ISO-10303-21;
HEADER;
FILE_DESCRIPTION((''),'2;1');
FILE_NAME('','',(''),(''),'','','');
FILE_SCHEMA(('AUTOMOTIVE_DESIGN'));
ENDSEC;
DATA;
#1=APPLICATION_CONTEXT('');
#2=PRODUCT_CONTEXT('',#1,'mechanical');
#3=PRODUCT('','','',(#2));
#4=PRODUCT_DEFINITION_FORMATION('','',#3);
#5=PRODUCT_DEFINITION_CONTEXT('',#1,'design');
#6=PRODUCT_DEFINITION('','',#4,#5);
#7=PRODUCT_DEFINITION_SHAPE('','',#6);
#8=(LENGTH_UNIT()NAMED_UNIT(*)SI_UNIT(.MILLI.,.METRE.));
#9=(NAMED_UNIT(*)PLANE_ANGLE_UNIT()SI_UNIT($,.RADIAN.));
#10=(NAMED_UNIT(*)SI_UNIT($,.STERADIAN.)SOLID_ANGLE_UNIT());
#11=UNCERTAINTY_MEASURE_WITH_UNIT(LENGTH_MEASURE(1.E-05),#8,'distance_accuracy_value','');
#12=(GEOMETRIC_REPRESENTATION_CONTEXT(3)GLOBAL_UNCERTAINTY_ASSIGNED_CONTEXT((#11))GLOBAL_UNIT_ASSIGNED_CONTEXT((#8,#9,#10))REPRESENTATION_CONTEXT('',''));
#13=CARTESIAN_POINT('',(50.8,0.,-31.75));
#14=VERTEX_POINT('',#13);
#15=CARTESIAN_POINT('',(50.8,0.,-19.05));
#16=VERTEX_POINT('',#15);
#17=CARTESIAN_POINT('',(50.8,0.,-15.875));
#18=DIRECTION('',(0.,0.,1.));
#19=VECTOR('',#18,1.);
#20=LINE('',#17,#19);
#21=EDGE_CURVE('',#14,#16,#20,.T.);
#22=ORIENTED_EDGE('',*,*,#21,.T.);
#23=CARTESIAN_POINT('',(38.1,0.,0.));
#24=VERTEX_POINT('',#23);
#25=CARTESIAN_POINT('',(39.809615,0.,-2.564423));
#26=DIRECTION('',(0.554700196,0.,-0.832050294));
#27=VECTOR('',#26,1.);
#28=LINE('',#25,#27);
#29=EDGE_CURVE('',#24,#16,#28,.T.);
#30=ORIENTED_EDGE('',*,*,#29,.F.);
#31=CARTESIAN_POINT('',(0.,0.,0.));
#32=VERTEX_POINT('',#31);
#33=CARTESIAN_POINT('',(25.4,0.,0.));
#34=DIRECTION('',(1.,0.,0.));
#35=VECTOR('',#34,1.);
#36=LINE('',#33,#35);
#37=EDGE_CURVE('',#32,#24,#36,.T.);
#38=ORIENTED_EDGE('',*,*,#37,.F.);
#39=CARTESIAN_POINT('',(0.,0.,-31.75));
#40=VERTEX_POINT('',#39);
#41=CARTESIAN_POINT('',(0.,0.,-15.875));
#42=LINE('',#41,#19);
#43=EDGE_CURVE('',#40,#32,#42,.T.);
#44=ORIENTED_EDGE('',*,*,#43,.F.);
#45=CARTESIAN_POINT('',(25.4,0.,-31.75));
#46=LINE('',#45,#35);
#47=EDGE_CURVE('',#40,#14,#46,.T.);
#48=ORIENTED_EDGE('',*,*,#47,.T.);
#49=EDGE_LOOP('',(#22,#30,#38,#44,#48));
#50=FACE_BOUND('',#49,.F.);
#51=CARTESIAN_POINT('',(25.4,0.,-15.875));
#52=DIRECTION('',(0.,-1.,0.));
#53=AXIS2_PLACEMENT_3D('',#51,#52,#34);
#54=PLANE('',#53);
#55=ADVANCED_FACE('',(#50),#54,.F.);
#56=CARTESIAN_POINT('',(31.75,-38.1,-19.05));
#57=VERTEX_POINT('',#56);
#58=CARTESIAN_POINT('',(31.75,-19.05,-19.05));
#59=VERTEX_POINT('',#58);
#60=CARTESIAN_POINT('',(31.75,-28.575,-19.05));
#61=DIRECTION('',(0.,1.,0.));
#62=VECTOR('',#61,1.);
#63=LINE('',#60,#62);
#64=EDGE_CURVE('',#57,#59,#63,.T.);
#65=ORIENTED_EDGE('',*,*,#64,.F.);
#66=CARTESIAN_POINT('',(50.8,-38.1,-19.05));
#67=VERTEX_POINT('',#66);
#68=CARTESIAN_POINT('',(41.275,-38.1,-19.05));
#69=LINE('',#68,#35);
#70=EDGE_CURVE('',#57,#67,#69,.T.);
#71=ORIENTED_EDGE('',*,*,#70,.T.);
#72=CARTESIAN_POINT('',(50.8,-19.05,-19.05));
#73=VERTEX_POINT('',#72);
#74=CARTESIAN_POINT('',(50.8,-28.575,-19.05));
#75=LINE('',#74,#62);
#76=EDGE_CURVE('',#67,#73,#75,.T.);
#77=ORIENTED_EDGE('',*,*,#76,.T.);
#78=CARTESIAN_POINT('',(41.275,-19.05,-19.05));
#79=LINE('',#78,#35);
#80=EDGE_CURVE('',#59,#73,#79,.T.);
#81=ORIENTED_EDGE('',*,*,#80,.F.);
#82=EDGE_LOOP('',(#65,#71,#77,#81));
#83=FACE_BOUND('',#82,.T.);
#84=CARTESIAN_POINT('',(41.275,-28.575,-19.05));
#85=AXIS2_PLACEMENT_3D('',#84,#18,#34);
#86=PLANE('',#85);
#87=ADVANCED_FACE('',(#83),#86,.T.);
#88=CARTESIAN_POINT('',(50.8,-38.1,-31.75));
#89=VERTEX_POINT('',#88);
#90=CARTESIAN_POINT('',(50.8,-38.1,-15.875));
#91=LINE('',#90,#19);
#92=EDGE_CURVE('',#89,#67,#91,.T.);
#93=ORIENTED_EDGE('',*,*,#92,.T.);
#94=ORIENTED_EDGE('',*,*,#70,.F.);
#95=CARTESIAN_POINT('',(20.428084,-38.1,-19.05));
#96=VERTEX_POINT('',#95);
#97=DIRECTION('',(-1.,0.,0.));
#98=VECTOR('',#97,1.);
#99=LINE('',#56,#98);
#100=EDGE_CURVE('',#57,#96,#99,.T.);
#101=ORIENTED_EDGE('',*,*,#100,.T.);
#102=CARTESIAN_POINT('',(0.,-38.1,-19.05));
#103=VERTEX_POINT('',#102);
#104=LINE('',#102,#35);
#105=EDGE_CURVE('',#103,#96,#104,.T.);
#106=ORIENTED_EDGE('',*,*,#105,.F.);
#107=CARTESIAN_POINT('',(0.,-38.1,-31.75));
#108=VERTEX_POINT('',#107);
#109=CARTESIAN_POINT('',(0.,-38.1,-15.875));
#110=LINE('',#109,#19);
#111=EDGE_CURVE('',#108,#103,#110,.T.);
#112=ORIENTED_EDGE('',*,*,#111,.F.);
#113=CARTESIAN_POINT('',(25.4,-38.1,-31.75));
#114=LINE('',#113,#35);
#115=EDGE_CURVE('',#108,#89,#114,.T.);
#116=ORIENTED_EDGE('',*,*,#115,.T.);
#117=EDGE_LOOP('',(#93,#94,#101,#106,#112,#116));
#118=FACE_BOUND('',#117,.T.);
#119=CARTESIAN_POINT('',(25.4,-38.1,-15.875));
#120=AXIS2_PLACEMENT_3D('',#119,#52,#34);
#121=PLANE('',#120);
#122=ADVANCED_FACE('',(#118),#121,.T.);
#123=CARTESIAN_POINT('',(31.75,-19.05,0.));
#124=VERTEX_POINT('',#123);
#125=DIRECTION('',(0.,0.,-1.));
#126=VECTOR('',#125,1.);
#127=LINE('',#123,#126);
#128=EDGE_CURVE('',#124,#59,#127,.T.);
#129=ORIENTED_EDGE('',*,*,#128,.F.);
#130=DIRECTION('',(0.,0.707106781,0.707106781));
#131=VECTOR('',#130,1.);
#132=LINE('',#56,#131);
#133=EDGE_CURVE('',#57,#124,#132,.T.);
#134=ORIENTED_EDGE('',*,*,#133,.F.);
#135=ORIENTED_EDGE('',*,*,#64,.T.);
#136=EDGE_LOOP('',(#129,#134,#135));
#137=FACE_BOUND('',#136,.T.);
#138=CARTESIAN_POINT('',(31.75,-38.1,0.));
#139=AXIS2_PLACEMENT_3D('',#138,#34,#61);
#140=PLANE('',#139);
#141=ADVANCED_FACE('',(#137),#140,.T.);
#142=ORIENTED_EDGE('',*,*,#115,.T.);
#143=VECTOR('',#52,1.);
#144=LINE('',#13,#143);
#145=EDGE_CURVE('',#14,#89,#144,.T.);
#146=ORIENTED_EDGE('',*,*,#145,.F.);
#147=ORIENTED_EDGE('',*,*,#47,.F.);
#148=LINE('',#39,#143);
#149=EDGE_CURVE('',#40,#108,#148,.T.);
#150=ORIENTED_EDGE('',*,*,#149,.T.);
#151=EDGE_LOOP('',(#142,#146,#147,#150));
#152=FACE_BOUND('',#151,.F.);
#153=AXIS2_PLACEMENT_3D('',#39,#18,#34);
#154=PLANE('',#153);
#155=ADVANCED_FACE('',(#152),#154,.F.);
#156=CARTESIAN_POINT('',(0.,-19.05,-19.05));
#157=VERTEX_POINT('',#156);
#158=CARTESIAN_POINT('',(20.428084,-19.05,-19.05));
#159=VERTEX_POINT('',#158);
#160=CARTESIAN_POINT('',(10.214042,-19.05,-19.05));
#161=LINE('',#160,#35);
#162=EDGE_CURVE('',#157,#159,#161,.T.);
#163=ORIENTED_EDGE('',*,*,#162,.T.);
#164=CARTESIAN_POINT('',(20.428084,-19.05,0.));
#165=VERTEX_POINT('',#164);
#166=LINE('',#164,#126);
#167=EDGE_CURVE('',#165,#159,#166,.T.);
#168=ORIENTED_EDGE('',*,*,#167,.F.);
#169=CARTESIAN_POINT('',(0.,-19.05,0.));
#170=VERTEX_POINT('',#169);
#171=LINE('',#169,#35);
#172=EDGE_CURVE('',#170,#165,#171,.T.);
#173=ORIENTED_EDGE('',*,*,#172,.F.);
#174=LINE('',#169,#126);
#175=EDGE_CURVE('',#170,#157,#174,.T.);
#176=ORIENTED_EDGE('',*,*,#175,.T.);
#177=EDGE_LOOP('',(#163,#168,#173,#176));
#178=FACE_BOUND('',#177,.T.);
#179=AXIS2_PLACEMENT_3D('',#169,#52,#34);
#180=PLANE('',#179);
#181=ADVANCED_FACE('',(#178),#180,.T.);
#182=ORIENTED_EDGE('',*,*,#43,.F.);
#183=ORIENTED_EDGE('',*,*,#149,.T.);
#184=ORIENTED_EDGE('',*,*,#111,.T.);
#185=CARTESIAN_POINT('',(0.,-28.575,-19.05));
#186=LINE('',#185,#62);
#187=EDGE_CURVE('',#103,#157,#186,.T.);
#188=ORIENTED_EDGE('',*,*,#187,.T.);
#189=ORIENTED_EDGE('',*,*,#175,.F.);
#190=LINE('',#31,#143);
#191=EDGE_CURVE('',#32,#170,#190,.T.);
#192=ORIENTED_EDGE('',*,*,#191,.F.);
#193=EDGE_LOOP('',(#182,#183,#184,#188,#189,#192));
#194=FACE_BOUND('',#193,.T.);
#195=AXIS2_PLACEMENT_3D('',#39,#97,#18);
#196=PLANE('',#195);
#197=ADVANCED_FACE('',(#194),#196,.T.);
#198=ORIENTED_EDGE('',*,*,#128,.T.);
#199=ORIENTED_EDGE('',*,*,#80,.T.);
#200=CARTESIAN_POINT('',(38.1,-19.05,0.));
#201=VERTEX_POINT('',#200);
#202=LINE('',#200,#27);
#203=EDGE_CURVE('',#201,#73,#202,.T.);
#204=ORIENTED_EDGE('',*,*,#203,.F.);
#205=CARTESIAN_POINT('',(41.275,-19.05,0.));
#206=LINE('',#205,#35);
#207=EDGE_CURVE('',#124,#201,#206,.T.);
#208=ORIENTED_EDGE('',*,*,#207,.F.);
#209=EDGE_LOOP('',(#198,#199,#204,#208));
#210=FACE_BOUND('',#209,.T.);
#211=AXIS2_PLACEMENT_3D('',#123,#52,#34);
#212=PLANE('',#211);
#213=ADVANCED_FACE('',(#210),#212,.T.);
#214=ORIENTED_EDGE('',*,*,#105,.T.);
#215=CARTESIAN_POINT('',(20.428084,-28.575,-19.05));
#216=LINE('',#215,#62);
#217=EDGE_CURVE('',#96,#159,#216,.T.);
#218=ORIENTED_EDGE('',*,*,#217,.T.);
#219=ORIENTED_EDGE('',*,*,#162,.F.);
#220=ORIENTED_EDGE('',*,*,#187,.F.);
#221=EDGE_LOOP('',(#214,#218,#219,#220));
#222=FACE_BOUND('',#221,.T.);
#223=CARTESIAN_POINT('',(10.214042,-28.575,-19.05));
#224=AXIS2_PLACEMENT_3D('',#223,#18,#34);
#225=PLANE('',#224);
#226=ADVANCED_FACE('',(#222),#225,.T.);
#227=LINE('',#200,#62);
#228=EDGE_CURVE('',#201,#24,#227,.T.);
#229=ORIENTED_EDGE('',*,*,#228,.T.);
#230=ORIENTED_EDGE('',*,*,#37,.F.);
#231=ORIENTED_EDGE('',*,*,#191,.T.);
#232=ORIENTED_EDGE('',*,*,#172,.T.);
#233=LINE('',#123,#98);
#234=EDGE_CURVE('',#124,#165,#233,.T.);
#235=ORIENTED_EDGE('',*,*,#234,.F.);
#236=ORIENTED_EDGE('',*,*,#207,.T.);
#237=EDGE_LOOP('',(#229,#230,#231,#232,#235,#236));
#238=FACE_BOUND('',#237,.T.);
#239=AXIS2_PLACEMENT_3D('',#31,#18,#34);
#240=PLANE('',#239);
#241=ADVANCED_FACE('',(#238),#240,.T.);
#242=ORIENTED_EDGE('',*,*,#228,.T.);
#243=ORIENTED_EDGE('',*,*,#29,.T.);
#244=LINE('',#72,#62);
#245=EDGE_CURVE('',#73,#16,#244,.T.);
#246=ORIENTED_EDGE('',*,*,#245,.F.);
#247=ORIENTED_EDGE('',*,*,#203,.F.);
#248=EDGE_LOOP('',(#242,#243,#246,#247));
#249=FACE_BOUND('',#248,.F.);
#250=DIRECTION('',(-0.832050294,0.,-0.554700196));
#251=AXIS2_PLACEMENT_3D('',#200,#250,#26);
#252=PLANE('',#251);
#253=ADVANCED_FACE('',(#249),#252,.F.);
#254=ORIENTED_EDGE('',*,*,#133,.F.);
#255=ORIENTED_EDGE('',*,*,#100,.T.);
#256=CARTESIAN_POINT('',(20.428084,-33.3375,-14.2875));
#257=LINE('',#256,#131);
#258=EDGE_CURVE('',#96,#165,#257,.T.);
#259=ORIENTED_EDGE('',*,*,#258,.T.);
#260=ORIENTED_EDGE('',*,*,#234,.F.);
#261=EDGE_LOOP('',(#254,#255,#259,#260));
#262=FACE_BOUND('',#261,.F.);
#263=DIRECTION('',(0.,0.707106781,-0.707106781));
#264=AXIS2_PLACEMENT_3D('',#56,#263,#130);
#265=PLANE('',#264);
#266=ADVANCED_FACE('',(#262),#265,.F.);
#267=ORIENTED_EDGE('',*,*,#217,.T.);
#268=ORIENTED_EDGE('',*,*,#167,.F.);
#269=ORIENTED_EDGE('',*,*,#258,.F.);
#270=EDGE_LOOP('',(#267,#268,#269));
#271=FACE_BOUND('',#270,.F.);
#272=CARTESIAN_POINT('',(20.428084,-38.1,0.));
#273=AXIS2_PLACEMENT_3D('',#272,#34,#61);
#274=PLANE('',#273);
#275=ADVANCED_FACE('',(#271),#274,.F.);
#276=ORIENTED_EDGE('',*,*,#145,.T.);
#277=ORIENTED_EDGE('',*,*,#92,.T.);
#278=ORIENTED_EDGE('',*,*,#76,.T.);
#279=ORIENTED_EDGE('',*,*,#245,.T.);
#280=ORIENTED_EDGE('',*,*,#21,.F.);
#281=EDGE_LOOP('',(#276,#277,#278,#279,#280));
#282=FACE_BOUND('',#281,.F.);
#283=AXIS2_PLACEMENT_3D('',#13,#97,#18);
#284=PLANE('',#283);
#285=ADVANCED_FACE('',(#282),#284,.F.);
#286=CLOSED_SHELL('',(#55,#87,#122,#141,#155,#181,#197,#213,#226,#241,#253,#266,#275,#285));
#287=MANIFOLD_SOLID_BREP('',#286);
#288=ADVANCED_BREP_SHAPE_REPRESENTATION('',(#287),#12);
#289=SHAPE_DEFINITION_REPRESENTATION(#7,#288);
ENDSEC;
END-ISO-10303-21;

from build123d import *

# Parameters (mm, degrees)
F0_W     = 50.8
F0_H     = 31.75
F1_DEPTH = 38.1
F2_W     = 19.05
F2_H     = 19.05
F3_DEPTH = 19.05
F4_W     = 20.428084
F4_H     = 19.05
F5_DEPTH = 19.05
F7_DEPTH = 25.4
F9_DEPTH = 25.4


with BuildPart() as f1:
    # F0 (on Front) → F1 (new body)
    with BuildSketch(Plane.XZ):
        with Locations((25.4, -15.875)):
            Rectangle(F0_W, F0_H)
    extrude(amount=F1_DEPTH)

    # F2 (on face) → F3 (cut)
    with BuildSketch(Plane.XY):
        with Locations((41.275, -28.575)):
            Rectangle(F2_W, F2_H)
    extrude(amount=-F3_DEPTH, mode=Mode.SUBTRACT)

    # F4 (on face) → F5 (cut)
    with BuildSketch(Plane.XY):
        with Locations((10.214042, -28.575)):
            Rectangle(F4_W, F4_H)
    extrude(amount=-F5_DEPTH, mode=Mode.SUBTRACT)

    # F6 (on face) → F7 (cut)
    with BuildSketch(Plane.YZ.offset(31.75)):
        Polygon((-38.1, -19.05), (-19.05, 0), (-38.1, 0), align=None)
    extrude(amount=-F7_DEPTH, mode=Mode.SUBTRACT)

    # F8 (on face) → F9 (cut)
    with BuildSketch(Plane.XZ.offset(19.05)):
        Polygon((50.8, 0), (38.1, 0), (50.8, -19.05), align=None)
    extrude(amount=-F9_DEPTH, mode=Mode.SUBTRACT)


solid = f1.part
